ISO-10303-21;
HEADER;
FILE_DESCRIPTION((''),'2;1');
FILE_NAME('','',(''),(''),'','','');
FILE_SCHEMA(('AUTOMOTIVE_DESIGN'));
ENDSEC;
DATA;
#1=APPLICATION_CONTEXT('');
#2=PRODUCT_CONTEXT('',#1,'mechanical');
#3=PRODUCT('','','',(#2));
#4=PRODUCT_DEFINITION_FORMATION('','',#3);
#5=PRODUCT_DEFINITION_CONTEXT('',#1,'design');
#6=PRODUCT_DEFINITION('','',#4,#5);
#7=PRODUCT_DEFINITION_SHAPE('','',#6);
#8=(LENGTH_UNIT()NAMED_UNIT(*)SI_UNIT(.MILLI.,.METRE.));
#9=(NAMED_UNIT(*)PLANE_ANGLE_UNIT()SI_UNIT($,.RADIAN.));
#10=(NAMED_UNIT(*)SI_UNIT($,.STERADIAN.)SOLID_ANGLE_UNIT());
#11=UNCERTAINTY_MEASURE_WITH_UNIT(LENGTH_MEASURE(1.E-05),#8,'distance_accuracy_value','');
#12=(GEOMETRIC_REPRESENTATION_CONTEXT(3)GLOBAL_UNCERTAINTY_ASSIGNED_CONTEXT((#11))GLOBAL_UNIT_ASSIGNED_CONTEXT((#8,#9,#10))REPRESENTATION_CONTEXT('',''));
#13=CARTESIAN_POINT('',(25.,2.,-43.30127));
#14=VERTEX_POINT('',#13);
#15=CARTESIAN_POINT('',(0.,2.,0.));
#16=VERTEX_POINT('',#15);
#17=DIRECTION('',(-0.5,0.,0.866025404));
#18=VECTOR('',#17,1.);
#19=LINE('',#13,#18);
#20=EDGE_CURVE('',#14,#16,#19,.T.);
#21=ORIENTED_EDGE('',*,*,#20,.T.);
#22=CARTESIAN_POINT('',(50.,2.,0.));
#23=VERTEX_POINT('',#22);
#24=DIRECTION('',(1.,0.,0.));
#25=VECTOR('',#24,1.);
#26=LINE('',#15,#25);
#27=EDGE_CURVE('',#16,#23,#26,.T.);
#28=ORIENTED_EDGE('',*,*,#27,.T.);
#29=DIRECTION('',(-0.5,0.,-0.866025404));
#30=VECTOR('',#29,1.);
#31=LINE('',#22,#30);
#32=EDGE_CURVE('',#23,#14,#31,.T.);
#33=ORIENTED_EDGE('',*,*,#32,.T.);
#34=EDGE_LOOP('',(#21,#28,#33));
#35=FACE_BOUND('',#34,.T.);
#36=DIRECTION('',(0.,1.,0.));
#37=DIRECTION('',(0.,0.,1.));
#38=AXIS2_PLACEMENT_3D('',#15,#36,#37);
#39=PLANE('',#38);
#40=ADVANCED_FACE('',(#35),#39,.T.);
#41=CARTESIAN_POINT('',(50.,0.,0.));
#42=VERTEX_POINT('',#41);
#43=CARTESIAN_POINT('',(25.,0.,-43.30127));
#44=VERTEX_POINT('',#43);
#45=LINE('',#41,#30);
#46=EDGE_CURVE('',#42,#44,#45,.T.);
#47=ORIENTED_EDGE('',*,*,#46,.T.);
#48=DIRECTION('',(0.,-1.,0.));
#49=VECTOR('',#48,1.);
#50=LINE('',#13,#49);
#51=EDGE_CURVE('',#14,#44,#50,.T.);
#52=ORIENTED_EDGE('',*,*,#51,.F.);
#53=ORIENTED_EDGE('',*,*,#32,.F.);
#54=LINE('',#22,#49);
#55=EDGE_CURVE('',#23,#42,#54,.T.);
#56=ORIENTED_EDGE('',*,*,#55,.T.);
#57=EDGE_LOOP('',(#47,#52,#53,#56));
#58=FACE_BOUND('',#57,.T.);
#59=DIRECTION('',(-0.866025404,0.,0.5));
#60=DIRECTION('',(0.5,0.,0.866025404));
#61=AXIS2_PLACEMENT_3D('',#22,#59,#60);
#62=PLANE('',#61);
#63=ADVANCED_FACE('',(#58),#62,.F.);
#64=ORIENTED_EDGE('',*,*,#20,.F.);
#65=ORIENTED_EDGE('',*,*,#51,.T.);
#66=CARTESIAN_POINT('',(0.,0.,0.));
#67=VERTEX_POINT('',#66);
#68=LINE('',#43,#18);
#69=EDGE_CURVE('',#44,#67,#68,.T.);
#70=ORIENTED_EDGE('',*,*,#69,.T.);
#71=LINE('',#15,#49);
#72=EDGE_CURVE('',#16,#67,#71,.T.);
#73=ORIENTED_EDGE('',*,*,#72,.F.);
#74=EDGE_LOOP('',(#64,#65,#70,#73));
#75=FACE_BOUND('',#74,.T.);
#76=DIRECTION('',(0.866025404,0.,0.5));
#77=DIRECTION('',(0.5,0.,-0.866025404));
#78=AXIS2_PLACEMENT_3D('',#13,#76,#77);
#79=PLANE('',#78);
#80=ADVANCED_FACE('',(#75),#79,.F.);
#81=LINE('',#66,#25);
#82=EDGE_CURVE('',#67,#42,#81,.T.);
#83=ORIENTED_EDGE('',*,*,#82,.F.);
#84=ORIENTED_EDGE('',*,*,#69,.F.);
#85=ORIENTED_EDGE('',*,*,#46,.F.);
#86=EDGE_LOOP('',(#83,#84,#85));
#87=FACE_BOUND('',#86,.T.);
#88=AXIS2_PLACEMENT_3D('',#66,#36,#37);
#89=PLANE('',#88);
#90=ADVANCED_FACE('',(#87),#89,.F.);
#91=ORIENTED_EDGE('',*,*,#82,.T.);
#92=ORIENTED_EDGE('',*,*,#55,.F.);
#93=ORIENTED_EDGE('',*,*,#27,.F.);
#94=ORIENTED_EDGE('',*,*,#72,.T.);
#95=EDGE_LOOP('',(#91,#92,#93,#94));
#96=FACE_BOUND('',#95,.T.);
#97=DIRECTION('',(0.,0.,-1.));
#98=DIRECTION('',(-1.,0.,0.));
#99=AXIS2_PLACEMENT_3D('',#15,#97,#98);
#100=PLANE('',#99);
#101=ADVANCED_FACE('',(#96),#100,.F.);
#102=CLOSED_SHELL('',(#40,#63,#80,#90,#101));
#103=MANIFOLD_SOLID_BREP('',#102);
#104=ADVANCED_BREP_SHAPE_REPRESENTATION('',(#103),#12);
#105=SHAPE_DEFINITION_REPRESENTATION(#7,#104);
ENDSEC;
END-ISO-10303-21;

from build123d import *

# Parameters (mm, degrees)
BOSS_EXTRUDE1_DEPTH = 2


with BuildPart() as part:
    # Sketch1 → Boss-Extrude1 (new body)
    with BuildSketch(Plane(origin=(0, 0, 0), x_dir=(1, 0, 0), z_dir=(0, 1, 0))):
        Polygon((0, 0), (50, 0), (25, 43.301270189), align=None)
    extrude(amount=BOSS_EXTRUDE1_DEPTH)


solid = part.part
